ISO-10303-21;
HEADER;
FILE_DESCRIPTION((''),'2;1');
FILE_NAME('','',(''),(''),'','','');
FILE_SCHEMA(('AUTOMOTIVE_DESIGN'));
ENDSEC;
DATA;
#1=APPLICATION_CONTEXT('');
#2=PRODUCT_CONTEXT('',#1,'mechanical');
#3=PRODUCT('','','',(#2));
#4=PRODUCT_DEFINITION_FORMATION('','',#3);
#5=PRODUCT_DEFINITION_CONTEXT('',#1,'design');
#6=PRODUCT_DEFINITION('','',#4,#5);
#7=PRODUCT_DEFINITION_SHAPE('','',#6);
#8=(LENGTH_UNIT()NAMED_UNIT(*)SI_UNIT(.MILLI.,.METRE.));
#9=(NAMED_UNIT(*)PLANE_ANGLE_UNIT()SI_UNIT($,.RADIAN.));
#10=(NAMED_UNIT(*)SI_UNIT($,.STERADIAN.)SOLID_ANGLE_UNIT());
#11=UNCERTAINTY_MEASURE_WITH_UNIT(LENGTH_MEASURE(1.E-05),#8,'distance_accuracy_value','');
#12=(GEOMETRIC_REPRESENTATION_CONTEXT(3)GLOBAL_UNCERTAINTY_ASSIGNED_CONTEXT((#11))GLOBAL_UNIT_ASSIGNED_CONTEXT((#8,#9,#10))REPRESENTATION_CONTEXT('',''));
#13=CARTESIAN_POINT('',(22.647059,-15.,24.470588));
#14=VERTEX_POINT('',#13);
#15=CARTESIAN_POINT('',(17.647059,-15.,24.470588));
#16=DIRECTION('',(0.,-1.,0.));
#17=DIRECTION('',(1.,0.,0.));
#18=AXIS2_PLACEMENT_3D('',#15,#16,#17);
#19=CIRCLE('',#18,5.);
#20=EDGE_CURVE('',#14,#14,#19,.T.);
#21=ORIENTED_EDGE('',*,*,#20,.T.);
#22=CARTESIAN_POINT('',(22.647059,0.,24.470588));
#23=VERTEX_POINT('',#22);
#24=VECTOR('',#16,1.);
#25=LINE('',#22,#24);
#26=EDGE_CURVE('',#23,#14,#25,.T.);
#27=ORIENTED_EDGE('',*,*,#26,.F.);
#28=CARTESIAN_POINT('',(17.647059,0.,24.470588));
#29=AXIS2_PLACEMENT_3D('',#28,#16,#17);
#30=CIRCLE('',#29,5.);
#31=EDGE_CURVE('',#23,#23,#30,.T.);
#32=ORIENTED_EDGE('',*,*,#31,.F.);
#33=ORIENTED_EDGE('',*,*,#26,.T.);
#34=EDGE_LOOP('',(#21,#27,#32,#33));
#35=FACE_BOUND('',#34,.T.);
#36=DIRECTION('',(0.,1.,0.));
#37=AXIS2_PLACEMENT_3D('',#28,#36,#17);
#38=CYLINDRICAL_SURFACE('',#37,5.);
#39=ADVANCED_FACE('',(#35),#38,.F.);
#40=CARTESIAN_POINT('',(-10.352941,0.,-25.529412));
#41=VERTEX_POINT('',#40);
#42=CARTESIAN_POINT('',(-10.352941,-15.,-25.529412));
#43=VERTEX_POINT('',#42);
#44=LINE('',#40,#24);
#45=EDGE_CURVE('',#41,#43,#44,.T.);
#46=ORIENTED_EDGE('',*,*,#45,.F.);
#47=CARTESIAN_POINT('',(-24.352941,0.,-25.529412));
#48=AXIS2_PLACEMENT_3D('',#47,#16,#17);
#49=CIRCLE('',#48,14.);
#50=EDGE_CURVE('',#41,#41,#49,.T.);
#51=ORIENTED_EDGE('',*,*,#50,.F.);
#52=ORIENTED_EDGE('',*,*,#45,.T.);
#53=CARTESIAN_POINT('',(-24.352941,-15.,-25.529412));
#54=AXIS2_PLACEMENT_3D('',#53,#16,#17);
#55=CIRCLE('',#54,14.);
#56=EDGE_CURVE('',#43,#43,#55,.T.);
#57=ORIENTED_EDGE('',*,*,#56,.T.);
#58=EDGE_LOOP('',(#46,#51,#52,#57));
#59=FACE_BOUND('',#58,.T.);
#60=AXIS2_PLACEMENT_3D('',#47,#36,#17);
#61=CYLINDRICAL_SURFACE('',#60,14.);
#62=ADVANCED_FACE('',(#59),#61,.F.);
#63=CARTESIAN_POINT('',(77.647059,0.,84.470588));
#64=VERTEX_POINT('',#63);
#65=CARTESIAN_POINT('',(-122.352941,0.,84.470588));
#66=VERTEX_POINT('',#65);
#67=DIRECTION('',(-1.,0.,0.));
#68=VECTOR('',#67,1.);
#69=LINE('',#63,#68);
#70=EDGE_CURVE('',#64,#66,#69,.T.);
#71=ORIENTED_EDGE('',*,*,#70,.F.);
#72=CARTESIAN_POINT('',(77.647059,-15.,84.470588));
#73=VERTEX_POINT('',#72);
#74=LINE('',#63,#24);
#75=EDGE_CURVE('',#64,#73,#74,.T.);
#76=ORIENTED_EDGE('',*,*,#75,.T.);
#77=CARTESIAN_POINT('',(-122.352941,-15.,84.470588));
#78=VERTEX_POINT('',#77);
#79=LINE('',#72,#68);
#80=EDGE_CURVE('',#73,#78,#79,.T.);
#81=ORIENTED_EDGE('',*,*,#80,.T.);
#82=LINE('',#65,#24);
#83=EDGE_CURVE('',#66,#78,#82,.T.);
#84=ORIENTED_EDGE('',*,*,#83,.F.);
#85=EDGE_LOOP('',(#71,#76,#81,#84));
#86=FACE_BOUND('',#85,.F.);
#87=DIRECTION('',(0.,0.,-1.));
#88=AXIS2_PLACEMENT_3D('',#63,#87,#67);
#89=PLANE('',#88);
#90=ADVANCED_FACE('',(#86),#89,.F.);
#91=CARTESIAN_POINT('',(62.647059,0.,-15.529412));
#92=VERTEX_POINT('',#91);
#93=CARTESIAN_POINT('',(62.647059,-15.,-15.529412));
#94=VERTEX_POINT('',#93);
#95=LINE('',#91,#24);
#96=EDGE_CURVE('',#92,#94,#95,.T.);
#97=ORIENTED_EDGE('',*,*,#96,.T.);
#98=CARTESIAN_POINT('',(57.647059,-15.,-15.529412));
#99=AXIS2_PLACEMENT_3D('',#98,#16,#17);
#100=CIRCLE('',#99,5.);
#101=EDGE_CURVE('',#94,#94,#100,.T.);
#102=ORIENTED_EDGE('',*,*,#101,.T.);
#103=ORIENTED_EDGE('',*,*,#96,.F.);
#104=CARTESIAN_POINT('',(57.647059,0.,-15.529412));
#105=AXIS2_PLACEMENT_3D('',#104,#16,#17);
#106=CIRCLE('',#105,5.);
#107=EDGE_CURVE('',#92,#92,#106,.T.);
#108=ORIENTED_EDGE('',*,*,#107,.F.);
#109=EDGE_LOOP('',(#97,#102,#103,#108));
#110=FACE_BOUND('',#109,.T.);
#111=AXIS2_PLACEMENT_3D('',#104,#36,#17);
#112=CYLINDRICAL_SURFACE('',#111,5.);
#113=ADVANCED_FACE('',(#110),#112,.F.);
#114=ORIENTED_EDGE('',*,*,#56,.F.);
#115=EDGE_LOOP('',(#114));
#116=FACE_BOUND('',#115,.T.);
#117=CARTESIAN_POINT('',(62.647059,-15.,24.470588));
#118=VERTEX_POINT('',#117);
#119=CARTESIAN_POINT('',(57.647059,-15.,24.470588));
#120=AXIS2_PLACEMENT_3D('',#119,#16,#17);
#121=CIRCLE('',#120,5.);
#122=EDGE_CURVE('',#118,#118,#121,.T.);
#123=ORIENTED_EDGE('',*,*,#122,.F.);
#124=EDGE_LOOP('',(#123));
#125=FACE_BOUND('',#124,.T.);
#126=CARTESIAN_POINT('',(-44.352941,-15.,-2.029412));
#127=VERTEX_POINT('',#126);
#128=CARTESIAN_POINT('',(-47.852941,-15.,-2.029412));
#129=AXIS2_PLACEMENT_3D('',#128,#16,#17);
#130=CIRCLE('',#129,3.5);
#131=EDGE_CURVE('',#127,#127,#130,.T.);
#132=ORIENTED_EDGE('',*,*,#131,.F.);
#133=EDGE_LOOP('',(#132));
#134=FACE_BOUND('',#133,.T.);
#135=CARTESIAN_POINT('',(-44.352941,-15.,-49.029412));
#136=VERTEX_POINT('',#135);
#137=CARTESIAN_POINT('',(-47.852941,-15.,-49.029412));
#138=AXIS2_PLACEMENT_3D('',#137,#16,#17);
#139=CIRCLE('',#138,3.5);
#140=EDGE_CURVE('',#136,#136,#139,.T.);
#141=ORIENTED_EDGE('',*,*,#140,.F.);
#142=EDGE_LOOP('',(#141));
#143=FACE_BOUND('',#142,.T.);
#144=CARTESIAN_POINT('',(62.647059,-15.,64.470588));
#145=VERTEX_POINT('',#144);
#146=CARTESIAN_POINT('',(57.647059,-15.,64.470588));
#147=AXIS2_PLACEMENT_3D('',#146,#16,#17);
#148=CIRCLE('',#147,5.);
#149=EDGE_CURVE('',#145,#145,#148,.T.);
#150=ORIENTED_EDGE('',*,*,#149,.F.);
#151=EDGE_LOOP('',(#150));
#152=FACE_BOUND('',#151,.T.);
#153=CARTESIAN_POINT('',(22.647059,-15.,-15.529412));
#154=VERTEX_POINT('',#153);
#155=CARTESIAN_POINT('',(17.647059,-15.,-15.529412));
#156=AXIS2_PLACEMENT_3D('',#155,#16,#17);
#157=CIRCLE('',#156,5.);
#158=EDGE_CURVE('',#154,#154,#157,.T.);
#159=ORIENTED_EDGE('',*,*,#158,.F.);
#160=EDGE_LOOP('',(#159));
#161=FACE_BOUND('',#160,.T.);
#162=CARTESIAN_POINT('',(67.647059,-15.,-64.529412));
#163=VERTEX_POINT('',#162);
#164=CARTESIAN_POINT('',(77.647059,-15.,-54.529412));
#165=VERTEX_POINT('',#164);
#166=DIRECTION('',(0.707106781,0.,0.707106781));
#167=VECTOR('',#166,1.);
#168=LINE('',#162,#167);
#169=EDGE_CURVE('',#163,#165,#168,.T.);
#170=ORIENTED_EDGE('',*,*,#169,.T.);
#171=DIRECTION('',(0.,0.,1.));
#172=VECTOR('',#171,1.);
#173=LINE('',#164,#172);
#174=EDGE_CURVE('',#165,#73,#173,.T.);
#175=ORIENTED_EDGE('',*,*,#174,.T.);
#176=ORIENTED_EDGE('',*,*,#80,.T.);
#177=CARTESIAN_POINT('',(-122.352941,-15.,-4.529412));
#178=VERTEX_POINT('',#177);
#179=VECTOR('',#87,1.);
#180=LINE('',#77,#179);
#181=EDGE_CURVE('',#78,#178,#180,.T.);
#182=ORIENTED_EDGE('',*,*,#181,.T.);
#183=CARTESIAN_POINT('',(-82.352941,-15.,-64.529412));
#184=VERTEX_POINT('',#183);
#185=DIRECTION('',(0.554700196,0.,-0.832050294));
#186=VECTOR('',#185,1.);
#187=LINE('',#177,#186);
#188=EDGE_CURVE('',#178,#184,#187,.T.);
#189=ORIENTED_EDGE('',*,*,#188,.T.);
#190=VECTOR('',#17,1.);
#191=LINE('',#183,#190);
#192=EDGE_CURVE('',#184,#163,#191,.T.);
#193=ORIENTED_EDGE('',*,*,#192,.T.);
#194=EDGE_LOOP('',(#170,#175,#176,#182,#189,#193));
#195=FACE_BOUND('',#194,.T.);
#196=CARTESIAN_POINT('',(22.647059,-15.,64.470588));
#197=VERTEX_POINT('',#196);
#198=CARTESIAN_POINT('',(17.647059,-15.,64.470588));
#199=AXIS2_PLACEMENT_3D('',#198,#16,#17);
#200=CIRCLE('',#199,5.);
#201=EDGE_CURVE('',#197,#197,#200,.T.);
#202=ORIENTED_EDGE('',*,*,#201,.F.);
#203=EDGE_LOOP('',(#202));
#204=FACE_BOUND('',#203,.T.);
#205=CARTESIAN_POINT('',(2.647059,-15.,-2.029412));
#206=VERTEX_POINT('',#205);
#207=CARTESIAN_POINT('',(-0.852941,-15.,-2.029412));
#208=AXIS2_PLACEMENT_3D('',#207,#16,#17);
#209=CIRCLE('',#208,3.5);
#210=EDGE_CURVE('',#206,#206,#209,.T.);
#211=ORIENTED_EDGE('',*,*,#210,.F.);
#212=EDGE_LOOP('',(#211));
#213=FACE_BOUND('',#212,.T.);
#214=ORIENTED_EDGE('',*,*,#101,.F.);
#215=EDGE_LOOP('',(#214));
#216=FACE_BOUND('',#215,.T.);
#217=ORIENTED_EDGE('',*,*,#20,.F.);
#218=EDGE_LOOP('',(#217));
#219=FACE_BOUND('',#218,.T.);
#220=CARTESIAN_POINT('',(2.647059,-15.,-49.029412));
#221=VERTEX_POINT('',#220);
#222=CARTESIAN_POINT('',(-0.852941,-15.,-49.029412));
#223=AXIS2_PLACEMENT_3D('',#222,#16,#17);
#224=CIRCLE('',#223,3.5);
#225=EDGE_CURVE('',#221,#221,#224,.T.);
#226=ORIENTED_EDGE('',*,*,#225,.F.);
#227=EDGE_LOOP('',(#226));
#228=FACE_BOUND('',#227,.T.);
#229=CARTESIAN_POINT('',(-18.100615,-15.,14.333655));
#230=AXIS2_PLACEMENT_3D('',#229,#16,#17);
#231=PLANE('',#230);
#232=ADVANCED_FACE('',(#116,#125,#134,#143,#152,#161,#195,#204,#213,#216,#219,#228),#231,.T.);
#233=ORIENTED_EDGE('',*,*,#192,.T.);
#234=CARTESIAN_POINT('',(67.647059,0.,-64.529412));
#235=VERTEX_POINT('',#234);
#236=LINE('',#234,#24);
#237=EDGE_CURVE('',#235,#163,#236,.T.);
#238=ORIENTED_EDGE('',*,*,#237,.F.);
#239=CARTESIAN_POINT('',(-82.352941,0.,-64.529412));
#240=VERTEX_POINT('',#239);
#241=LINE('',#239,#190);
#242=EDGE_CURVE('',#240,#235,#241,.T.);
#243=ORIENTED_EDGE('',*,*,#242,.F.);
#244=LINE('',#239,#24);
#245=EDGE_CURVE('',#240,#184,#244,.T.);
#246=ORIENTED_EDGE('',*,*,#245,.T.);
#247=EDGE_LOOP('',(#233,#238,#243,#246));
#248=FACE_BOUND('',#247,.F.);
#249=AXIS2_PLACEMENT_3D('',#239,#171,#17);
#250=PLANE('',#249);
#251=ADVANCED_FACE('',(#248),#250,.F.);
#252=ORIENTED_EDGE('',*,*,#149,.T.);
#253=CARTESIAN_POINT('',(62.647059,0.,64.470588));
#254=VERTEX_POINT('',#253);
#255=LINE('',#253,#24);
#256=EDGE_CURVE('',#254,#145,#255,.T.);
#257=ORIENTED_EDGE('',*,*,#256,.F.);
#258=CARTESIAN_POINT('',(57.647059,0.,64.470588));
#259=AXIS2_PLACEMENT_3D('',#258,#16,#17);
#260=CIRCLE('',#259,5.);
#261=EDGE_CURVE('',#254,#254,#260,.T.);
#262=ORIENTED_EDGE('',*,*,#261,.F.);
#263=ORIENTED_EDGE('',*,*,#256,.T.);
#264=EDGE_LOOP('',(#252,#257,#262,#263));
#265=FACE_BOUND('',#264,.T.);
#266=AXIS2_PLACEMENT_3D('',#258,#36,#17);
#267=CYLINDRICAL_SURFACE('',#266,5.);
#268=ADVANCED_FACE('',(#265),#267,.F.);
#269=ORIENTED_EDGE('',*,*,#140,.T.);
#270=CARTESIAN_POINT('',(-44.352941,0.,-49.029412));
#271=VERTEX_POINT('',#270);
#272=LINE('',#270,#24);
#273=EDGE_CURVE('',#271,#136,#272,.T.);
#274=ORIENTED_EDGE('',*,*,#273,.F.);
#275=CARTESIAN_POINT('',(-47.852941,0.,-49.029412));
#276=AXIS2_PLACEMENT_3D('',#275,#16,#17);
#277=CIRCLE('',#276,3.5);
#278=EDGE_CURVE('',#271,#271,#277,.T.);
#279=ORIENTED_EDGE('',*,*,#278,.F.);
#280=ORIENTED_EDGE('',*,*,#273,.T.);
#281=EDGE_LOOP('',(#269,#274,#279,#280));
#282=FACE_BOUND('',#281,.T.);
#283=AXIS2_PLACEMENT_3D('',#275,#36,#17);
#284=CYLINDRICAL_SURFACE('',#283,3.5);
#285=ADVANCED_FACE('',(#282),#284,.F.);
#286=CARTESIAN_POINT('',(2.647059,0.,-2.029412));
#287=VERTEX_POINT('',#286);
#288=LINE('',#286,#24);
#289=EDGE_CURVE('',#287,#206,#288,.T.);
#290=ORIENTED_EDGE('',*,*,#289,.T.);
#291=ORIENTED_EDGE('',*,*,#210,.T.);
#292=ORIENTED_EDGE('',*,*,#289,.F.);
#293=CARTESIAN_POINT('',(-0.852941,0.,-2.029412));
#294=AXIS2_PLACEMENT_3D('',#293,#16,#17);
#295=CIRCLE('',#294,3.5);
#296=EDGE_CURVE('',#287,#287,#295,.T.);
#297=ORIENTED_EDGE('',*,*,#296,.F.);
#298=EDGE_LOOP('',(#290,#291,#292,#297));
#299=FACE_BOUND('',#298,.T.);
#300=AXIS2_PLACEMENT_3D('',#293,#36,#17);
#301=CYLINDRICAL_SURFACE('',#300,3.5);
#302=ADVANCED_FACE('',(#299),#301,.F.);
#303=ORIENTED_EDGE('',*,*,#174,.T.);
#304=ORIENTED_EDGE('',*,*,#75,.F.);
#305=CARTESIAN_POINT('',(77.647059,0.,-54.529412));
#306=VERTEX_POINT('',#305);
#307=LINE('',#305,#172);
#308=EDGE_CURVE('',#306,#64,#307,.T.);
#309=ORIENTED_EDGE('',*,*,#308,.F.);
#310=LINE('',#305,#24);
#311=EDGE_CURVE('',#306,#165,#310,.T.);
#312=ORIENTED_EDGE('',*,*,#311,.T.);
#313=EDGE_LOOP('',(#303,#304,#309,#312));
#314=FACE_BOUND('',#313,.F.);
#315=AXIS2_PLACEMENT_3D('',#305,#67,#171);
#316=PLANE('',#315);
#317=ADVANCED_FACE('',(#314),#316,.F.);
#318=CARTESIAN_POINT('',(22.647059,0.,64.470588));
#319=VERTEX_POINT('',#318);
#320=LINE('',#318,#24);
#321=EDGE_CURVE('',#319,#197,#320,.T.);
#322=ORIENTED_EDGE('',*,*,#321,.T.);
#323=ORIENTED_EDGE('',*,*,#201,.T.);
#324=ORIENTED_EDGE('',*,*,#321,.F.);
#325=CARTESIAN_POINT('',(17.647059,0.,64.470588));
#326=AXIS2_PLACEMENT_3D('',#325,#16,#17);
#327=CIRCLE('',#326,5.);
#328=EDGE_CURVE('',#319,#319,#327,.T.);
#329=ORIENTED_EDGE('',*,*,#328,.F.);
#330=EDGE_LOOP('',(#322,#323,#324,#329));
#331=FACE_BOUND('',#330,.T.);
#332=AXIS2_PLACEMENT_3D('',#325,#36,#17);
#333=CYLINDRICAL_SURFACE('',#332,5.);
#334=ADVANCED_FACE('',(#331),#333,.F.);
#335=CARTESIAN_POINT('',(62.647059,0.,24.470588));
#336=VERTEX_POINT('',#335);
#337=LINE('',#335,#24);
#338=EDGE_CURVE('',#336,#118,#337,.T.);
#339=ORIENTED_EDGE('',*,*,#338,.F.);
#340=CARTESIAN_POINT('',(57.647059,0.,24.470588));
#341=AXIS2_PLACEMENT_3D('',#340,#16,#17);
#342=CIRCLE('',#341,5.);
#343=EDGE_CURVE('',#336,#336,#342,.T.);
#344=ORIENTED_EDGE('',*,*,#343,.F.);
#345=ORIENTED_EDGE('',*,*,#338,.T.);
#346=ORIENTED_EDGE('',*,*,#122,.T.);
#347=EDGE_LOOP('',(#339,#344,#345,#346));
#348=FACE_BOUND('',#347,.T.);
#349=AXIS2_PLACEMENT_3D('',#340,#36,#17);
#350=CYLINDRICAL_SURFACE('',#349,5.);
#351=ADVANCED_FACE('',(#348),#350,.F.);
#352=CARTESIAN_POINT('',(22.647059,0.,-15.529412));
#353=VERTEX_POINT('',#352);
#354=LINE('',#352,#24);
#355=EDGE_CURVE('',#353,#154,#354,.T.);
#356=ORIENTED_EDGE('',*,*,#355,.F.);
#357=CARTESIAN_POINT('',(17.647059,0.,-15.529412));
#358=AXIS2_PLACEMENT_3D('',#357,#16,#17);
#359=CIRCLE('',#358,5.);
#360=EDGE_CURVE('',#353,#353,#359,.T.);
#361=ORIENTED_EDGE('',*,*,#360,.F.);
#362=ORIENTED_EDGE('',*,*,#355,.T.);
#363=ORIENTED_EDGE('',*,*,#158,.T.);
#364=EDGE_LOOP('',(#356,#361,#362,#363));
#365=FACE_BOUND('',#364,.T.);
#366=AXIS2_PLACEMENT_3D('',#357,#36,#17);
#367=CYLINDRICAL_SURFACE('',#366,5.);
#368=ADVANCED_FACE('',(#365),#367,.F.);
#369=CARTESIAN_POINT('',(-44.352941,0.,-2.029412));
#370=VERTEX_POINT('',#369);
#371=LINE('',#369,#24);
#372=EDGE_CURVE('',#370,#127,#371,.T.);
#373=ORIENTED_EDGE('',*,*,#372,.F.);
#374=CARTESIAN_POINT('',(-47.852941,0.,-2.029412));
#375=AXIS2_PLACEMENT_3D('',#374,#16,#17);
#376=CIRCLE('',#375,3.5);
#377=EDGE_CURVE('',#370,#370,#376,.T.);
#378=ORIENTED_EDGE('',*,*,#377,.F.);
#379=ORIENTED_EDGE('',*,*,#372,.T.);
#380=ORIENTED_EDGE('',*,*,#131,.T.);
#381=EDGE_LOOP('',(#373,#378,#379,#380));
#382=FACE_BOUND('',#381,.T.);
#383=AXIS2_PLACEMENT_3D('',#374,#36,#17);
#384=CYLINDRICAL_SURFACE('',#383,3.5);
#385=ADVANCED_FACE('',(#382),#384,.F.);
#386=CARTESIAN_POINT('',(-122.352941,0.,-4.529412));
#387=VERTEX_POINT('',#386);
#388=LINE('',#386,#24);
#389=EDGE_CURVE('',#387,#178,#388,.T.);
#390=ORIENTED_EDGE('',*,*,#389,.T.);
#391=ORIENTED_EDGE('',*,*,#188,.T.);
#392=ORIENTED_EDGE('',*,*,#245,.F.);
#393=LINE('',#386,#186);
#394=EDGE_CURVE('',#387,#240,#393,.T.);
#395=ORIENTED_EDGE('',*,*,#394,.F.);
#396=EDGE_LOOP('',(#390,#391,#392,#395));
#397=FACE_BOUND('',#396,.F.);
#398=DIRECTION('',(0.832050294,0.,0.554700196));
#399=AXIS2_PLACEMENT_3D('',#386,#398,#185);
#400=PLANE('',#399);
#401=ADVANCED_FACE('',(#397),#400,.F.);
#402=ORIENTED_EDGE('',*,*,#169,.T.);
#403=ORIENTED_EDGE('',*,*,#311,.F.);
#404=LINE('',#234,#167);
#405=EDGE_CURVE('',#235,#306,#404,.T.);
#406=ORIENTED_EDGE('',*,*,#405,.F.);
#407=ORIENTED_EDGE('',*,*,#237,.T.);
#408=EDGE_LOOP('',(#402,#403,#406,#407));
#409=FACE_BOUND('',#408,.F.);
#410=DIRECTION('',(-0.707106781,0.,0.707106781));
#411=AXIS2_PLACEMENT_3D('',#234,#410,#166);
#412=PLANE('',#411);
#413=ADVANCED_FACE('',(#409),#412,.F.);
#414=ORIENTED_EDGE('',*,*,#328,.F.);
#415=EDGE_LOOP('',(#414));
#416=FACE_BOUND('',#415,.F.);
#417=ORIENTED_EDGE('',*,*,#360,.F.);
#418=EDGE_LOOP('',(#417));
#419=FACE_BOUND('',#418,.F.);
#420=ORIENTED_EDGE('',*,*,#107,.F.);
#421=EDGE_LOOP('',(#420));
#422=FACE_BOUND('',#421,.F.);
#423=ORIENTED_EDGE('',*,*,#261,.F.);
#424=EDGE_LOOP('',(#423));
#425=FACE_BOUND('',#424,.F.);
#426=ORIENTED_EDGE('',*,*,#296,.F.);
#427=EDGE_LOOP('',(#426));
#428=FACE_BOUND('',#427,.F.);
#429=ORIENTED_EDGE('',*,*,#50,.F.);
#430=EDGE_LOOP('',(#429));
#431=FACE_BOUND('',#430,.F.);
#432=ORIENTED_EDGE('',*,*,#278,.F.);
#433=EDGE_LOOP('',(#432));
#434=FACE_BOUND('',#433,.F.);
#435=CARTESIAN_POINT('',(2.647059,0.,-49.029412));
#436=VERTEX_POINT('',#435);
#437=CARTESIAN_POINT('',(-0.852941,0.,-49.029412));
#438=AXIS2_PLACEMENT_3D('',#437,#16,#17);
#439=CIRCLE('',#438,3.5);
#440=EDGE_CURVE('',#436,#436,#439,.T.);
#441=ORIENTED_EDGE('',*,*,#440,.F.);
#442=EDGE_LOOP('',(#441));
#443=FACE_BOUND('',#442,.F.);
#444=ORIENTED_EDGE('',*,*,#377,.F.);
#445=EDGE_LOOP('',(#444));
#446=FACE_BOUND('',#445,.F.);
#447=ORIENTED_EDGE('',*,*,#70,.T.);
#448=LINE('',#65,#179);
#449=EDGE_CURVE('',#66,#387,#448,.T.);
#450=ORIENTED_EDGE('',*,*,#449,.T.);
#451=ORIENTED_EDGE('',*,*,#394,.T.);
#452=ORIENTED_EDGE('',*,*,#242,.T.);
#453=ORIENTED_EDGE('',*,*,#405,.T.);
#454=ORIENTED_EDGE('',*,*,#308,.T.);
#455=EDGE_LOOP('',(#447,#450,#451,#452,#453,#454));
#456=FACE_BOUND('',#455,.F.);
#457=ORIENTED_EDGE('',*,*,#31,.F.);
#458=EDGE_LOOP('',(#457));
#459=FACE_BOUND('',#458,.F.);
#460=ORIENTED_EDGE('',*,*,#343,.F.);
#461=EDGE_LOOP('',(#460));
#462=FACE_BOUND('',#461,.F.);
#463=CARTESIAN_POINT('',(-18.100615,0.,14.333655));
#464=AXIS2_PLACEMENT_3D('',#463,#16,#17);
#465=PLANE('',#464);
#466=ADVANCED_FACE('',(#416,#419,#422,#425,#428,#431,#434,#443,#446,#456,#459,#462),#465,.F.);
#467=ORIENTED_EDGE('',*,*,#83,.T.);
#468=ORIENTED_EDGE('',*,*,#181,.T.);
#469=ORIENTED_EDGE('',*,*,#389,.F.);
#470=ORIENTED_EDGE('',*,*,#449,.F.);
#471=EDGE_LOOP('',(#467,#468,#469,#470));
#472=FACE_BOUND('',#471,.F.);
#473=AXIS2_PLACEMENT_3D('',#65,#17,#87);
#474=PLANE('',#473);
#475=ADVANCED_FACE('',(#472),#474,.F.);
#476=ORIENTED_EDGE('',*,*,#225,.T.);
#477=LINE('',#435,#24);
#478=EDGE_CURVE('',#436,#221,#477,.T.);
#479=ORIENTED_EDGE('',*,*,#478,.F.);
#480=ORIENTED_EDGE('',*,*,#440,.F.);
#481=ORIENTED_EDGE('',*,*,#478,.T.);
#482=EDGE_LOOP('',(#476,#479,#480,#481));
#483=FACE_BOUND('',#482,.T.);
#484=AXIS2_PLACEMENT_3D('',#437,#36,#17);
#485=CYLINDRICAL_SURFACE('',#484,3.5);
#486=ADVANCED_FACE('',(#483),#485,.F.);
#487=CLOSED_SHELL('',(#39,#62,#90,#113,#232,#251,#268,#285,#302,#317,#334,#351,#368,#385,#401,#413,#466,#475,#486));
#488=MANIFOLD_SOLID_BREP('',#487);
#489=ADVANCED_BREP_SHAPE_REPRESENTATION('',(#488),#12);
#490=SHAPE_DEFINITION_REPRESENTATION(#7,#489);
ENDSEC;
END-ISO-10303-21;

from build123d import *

# Parameters (mm, degrees)
F0_R     = 3.5
F0_R_2   = 14
F0_R_3   = 5
F1_DEPTH = 15


with BuildPart() as f1:
    # F0 (on Front) → F1 (new body)
    with BuildSketch(Plane.XZ):
        Polygon((67.647059, -64.529412), (77.647059, -54.529412), (77.647059, 84.470588), (-122.352941, 84.470588), (-122.352941, -4.529412), (-82.352941, -64.529412), align=None)
        with Locations((-47.852941, -49.029412)):
            Circle(F0_R, mode=Mode.SUBTRACT)
        with Locations((-24.352941, -25.529412)):
            Circle(F0_R_2, mode=Mode.SUBTRACT)
        with Locations((-47.852941, -2.029412)):
            Circle(F0_R, mode=Mode.SUBTRACT)
        with Locations((-0.852941, -49.029412)):
            Circle(F0_R, mode=Mode.SUBTRACT)
        with Locations((17.647059, -15.529412)):
            Circle(F0_R_3, mode=Mode.SUBTRACT)
        with Locations((-0.852941, -2.029412)):
            Circle(F0_R, mode=Mode.SUBTRACT)
        with Locations((57.647059, -15.529412)):
            Circle(F0_R_3, mode=Mode.SUBTRACT)
        with Locations((17.647059, 24.470588)):
            Circle(F0_R_3, mode=Mode.SUBTRACT)
        with Locations((57.647059, 24.470588)):
            Circle(F0_R_3, mode=Mode.SUBTRACT)
        with Locations((17.647059, 64.470588)):
            Circle(F0_R_3, mode=Mode.SUBTRACT)
        with Locations((57.647059, 64.470588)):
            Circle(F0_R_3, mode=Mode.SUBTRACT)
    extrude(amount=F1_DEPTH)


solid = f1.part
